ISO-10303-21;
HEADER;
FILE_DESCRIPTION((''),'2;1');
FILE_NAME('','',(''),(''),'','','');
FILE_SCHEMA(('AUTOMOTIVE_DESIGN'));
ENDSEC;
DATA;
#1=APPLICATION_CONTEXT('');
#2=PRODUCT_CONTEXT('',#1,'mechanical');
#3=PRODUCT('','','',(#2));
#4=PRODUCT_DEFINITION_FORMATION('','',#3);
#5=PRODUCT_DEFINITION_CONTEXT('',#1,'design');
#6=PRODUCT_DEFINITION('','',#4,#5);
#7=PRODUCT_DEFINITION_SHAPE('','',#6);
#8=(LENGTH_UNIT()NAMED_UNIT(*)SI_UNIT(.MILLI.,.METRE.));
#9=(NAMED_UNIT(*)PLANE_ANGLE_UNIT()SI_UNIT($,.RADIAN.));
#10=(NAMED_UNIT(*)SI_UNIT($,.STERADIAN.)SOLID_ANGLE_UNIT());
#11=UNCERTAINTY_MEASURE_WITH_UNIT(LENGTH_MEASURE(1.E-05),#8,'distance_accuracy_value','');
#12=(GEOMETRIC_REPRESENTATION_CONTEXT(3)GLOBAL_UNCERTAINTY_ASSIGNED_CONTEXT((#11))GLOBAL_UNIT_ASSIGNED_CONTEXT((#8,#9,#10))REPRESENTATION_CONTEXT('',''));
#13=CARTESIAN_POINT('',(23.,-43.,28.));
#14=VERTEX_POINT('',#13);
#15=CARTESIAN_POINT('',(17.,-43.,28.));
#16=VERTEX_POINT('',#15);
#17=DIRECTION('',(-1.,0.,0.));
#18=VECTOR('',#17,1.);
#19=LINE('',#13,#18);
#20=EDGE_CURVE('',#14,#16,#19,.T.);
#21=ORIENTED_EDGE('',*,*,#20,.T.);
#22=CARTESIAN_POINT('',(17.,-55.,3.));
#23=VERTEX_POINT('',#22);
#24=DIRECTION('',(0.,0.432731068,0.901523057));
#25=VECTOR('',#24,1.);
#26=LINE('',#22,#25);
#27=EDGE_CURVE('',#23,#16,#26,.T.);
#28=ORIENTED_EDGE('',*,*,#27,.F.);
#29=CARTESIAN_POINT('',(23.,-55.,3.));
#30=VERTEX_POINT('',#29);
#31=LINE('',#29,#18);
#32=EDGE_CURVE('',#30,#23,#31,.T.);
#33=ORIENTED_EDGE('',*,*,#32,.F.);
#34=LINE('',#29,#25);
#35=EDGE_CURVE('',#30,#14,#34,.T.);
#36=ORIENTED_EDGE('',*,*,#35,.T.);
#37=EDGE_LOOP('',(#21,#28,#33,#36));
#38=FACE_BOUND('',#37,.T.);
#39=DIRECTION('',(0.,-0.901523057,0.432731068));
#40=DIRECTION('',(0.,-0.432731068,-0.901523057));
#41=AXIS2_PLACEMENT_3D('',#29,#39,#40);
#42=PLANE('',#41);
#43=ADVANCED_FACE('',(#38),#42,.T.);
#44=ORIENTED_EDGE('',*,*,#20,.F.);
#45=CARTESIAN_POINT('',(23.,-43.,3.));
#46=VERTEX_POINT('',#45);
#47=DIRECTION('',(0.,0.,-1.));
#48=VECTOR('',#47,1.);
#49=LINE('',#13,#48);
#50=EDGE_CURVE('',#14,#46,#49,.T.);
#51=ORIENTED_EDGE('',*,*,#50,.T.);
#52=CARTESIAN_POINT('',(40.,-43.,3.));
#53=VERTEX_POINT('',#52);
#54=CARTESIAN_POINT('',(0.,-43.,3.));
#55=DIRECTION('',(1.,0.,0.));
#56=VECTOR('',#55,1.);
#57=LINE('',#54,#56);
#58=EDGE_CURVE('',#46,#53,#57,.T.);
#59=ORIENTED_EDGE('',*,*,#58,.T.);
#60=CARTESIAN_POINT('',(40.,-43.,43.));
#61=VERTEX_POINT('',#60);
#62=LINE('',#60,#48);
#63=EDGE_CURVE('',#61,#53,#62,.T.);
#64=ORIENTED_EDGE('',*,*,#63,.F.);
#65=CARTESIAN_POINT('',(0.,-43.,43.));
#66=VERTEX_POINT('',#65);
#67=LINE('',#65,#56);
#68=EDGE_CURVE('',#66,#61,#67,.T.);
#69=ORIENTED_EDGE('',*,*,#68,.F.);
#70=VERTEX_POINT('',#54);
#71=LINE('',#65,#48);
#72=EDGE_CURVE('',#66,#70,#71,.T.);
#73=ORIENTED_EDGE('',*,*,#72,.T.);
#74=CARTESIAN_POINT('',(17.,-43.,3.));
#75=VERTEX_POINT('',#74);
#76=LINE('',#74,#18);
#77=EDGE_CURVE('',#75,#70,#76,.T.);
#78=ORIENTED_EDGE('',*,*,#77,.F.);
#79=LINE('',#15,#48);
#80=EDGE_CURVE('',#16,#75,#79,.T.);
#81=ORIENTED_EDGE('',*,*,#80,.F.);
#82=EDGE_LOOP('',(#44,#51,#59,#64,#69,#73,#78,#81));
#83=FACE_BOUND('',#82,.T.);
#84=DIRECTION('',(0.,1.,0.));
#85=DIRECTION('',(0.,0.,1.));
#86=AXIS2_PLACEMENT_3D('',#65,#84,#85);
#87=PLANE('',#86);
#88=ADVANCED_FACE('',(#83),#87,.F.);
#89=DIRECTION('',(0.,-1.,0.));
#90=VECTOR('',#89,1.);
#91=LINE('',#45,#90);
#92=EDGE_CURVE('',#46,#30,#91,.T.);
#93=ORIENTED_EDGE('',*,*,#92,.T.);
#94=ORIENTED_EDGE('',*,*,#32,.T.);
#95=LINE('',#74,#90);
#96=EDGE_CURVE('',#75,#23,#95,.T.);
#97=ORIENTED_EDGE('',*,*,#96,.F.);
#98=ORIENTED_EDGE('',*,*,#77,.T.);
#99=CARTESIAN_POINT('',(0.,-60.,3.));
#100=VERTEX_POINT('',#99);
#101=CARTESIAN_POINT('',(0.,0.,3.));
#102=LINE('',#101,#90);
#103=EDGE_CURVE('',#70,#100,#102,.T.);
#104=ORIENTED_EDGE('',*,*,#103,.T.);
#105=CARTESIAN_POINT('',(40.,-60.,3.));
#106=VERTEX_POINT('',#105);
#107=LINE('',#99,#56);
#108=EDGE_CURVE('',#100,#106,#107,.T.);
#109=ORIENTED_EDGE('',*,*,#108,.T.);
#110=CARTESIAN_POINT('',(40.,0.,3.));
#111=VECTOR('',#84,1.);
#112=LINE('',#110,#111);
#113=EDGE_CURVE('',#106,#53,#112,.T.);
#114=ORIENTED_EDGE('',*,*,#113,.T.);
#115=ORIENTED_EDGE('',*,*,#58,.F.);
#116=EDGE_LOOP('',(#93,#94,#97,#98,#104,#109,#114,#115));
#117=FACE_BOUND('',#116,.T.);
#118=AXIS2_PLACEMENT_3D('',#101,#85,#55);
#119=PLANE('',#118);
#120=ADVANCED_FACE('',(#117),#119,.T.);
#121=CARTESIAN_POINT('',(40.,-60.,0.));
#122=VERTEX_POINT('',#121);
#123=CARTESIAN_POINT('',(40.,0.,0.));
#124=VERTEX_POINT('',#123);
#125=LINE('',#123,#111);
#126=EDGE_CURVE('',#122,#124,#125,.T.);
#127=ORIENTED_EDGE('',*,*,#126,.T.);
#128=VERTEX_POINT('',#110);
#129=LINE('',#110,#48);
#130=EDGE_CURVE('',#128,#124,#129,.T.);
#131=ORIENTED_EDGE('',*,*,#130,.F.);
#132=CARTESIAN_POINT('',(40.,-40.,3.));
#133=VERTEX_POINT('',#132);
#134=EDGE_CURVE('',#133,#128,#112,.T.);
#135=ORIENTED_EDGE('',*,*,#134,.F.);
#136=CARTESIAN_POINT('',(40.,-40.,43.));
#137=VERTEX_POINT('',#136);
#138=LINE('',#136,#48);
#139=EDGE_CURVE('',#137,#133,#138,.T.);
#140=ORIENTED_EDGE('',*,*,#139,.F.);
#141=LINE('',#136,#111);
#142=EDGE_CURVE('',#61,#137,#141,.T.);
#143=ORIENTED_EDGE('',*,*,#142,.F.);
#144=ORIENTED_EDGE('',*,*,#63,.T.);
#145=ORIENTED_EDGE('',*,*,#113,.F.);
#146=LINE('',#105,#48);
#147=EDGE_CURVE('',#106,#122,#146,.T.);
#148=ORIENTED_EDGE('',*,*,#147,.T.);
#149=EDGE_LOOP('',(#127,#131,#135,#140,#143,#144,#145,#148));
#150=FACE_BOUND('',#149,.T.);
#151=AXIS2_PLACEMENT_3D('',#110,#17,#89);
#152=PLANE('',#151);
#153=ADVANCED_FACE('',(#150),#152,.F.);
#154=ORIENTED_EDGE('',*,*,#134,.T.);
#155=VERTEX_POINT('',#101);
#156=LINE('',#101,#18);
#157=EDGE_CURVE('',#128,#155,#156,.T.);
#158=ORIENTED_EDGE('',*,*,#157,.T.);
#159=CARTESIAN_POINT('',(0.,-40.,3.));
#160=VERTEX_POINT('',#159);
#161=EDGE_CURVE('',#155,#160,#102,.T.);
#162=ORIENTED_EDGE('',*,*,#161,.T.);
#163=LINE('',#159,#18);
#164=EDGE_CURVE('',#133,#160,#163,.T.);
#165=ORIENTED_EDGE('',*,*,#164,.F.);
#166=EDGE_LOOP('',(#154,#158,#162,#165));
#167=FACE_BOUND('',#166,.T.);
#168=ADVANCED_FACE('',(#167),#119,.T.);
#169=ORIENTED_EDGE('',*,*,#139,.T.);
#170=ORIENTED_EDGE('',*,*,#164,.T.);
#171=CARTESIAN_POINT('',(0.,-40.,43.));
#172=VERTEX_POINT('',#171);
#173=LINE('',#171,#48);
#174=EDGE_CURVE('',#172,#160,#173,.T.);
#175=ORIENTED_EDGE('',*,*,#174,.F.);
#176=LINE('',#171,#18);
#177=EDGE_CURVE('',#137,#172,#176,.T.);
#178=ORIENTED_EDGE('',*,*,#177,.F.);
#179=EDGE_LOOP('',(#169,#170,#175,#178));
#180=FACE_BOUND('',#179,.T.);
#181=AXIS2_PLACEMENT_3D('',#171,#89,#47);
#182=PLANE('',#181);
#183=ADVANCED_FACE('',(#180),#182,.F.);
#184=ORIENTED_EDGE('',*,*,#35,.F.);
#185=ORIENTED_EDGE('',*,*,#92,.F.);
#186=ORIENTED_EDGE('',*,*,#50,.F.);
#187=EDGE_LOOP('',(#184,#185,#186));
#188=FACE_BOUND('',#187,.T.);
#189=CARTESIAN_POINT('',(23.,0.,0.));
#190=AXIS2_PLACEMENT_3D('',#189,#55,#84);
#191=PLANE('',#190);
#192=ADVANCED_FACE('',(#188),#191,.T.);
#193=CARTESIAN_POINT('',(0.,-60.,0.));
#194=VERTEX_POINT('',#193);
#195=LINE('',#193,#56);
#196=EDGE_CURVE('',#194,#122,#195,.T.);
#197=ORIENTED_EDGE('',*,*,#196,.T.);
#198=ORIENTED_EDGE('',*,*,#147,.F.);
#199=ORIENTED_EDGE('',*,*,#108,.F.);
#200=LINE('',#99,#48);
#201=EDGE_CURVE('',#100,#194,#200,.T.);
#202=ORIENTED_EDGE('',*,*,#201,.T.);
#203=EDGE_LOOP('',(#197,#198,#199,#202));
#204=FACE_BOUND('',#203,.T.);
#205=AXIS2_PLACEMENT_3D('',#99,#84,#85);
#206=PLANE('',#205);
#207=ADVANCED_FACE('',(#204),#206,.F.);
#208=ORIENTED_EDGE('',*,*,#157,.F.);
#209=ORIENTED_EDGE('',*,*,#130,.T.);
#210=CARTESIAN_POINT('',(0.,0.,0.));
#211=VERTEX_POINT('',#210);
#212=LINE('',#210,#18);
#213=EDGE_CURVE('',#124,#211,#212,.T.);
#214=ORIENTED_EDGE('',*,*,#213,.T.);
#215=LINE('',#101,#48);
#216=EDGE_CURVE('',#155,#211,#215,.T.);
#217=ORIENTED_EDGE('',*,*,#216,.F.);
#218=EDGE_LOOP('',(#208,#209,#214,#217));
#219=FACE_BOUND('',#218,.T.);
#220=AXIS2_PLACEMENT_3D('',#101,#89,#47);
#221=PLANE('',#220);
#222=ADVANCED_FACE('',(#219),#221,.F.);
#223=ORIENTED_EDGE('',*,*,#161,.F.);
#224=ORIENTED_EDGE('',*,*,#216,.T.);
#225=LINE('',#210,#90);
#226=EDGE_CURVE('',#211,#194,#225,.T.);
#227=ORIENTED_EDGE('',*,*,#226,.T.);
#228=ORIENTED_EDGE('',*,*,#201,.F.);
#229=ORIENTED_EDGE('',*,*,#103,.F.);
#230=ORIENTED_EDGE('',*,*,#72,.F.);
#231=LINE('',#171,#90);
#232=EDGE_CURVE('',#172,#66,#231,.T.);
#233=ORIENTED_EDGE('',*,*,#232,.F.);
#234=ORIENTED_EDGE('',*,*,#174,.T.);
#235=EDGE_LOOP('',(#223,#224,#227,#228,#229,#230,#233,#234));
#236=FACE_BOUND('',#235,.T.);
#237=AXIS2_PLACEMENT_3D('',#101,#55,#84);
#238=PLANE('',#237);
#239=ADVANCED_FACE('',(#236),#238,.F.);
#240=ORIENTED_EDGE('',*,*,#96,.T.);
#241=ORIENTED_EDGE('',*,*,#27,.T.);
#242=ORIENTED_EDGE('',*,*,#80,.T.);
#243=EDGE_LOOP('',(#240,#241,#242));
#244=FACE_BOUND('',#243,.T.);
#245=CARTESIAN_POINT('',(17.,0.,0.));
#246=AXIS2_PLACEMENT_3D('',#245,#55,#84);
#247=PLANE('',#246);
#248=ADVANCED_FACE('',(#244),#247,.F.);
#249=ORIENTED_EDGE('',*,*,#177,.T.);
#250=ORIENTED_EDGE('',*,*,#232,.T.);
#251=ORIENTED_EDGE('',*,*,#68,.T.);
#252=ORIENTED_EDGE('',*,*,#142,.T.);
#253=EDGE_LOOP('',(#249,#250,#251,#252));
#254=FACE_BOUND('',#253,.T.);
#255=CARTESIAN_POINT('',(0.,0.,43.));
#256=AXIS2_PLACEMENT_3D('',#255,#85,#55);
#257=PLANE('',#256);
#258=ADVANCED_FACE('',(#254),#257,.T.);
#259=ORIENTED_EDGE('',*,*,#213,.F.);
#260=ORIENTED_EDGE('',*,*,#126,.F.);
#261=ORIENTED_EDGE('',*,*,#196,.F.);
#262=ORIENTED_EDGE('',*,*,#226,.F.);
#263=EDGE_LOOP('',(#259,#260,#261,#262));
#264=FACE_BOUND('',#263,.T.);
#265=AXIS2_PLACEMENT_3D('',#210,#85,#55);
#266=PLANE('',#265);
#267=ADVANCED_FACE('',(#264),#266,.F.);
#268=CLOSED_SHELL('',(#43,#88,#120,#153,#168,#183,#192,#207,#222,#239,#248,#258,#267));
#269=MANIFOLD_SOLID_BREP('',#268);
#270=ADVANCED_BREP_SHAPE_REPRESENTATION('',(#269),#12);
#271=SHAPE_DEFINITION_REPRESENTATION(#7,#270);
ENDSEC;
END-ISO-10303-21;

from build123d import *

# Parameters (mm, degrees)
SKETCH_1_W          = 40
SKETCH_1_H          = 60
EXTRUDE_1_DEPTH     = 3
SKETCH_2_W          = 40
SKETCH_2_H          = 3
EXTRUDE_2_DEPTH     = 40
EXTRUDE_3_DEPTH     = 23
CUT_EXTRUDE_1_DEPTH = 17


with BuildPart() as part:
    # 草图1 → 凸台-拉伸1 (new body)
    with BuildSketch(Plane.XY):
        with Locations((20, -30)):
            Rectangle(SKETCH_1_W, SKETCH_1_H)
    extrude(amount=EXTRUDE_1_DEPTH)

    # 草图2 → 凸台-拉伸2 (add)
    with BuildSketch(Plane.XY.offset(3)):
        with Locations((20, -41.5)):
            Rectangle(SKETCH_2_W, SKETCH_2_H)
    extrude(amount=EXTRUDE_2_DEPTH)

    # 草图3 → 凸台-拉伸3 (add)
    with BuildSketch(Plane.ZY):
        Polygon((3, -55), (28, -43), (3, -43), align=None)
    extrude(amount=-EXTRUDE_3_DEPTH)

    # 草图3<2> → 切除-拉伸1 (cut)
    with BuildSketch(Plane.ZY):
        Polygon((3, -55), (28, -43), (3, -43), align=None)
    extrude(amount=-CUT_EXTRUDE_1_DEPTH, mode=Mode.SUBTRACT)


solid = part.part
